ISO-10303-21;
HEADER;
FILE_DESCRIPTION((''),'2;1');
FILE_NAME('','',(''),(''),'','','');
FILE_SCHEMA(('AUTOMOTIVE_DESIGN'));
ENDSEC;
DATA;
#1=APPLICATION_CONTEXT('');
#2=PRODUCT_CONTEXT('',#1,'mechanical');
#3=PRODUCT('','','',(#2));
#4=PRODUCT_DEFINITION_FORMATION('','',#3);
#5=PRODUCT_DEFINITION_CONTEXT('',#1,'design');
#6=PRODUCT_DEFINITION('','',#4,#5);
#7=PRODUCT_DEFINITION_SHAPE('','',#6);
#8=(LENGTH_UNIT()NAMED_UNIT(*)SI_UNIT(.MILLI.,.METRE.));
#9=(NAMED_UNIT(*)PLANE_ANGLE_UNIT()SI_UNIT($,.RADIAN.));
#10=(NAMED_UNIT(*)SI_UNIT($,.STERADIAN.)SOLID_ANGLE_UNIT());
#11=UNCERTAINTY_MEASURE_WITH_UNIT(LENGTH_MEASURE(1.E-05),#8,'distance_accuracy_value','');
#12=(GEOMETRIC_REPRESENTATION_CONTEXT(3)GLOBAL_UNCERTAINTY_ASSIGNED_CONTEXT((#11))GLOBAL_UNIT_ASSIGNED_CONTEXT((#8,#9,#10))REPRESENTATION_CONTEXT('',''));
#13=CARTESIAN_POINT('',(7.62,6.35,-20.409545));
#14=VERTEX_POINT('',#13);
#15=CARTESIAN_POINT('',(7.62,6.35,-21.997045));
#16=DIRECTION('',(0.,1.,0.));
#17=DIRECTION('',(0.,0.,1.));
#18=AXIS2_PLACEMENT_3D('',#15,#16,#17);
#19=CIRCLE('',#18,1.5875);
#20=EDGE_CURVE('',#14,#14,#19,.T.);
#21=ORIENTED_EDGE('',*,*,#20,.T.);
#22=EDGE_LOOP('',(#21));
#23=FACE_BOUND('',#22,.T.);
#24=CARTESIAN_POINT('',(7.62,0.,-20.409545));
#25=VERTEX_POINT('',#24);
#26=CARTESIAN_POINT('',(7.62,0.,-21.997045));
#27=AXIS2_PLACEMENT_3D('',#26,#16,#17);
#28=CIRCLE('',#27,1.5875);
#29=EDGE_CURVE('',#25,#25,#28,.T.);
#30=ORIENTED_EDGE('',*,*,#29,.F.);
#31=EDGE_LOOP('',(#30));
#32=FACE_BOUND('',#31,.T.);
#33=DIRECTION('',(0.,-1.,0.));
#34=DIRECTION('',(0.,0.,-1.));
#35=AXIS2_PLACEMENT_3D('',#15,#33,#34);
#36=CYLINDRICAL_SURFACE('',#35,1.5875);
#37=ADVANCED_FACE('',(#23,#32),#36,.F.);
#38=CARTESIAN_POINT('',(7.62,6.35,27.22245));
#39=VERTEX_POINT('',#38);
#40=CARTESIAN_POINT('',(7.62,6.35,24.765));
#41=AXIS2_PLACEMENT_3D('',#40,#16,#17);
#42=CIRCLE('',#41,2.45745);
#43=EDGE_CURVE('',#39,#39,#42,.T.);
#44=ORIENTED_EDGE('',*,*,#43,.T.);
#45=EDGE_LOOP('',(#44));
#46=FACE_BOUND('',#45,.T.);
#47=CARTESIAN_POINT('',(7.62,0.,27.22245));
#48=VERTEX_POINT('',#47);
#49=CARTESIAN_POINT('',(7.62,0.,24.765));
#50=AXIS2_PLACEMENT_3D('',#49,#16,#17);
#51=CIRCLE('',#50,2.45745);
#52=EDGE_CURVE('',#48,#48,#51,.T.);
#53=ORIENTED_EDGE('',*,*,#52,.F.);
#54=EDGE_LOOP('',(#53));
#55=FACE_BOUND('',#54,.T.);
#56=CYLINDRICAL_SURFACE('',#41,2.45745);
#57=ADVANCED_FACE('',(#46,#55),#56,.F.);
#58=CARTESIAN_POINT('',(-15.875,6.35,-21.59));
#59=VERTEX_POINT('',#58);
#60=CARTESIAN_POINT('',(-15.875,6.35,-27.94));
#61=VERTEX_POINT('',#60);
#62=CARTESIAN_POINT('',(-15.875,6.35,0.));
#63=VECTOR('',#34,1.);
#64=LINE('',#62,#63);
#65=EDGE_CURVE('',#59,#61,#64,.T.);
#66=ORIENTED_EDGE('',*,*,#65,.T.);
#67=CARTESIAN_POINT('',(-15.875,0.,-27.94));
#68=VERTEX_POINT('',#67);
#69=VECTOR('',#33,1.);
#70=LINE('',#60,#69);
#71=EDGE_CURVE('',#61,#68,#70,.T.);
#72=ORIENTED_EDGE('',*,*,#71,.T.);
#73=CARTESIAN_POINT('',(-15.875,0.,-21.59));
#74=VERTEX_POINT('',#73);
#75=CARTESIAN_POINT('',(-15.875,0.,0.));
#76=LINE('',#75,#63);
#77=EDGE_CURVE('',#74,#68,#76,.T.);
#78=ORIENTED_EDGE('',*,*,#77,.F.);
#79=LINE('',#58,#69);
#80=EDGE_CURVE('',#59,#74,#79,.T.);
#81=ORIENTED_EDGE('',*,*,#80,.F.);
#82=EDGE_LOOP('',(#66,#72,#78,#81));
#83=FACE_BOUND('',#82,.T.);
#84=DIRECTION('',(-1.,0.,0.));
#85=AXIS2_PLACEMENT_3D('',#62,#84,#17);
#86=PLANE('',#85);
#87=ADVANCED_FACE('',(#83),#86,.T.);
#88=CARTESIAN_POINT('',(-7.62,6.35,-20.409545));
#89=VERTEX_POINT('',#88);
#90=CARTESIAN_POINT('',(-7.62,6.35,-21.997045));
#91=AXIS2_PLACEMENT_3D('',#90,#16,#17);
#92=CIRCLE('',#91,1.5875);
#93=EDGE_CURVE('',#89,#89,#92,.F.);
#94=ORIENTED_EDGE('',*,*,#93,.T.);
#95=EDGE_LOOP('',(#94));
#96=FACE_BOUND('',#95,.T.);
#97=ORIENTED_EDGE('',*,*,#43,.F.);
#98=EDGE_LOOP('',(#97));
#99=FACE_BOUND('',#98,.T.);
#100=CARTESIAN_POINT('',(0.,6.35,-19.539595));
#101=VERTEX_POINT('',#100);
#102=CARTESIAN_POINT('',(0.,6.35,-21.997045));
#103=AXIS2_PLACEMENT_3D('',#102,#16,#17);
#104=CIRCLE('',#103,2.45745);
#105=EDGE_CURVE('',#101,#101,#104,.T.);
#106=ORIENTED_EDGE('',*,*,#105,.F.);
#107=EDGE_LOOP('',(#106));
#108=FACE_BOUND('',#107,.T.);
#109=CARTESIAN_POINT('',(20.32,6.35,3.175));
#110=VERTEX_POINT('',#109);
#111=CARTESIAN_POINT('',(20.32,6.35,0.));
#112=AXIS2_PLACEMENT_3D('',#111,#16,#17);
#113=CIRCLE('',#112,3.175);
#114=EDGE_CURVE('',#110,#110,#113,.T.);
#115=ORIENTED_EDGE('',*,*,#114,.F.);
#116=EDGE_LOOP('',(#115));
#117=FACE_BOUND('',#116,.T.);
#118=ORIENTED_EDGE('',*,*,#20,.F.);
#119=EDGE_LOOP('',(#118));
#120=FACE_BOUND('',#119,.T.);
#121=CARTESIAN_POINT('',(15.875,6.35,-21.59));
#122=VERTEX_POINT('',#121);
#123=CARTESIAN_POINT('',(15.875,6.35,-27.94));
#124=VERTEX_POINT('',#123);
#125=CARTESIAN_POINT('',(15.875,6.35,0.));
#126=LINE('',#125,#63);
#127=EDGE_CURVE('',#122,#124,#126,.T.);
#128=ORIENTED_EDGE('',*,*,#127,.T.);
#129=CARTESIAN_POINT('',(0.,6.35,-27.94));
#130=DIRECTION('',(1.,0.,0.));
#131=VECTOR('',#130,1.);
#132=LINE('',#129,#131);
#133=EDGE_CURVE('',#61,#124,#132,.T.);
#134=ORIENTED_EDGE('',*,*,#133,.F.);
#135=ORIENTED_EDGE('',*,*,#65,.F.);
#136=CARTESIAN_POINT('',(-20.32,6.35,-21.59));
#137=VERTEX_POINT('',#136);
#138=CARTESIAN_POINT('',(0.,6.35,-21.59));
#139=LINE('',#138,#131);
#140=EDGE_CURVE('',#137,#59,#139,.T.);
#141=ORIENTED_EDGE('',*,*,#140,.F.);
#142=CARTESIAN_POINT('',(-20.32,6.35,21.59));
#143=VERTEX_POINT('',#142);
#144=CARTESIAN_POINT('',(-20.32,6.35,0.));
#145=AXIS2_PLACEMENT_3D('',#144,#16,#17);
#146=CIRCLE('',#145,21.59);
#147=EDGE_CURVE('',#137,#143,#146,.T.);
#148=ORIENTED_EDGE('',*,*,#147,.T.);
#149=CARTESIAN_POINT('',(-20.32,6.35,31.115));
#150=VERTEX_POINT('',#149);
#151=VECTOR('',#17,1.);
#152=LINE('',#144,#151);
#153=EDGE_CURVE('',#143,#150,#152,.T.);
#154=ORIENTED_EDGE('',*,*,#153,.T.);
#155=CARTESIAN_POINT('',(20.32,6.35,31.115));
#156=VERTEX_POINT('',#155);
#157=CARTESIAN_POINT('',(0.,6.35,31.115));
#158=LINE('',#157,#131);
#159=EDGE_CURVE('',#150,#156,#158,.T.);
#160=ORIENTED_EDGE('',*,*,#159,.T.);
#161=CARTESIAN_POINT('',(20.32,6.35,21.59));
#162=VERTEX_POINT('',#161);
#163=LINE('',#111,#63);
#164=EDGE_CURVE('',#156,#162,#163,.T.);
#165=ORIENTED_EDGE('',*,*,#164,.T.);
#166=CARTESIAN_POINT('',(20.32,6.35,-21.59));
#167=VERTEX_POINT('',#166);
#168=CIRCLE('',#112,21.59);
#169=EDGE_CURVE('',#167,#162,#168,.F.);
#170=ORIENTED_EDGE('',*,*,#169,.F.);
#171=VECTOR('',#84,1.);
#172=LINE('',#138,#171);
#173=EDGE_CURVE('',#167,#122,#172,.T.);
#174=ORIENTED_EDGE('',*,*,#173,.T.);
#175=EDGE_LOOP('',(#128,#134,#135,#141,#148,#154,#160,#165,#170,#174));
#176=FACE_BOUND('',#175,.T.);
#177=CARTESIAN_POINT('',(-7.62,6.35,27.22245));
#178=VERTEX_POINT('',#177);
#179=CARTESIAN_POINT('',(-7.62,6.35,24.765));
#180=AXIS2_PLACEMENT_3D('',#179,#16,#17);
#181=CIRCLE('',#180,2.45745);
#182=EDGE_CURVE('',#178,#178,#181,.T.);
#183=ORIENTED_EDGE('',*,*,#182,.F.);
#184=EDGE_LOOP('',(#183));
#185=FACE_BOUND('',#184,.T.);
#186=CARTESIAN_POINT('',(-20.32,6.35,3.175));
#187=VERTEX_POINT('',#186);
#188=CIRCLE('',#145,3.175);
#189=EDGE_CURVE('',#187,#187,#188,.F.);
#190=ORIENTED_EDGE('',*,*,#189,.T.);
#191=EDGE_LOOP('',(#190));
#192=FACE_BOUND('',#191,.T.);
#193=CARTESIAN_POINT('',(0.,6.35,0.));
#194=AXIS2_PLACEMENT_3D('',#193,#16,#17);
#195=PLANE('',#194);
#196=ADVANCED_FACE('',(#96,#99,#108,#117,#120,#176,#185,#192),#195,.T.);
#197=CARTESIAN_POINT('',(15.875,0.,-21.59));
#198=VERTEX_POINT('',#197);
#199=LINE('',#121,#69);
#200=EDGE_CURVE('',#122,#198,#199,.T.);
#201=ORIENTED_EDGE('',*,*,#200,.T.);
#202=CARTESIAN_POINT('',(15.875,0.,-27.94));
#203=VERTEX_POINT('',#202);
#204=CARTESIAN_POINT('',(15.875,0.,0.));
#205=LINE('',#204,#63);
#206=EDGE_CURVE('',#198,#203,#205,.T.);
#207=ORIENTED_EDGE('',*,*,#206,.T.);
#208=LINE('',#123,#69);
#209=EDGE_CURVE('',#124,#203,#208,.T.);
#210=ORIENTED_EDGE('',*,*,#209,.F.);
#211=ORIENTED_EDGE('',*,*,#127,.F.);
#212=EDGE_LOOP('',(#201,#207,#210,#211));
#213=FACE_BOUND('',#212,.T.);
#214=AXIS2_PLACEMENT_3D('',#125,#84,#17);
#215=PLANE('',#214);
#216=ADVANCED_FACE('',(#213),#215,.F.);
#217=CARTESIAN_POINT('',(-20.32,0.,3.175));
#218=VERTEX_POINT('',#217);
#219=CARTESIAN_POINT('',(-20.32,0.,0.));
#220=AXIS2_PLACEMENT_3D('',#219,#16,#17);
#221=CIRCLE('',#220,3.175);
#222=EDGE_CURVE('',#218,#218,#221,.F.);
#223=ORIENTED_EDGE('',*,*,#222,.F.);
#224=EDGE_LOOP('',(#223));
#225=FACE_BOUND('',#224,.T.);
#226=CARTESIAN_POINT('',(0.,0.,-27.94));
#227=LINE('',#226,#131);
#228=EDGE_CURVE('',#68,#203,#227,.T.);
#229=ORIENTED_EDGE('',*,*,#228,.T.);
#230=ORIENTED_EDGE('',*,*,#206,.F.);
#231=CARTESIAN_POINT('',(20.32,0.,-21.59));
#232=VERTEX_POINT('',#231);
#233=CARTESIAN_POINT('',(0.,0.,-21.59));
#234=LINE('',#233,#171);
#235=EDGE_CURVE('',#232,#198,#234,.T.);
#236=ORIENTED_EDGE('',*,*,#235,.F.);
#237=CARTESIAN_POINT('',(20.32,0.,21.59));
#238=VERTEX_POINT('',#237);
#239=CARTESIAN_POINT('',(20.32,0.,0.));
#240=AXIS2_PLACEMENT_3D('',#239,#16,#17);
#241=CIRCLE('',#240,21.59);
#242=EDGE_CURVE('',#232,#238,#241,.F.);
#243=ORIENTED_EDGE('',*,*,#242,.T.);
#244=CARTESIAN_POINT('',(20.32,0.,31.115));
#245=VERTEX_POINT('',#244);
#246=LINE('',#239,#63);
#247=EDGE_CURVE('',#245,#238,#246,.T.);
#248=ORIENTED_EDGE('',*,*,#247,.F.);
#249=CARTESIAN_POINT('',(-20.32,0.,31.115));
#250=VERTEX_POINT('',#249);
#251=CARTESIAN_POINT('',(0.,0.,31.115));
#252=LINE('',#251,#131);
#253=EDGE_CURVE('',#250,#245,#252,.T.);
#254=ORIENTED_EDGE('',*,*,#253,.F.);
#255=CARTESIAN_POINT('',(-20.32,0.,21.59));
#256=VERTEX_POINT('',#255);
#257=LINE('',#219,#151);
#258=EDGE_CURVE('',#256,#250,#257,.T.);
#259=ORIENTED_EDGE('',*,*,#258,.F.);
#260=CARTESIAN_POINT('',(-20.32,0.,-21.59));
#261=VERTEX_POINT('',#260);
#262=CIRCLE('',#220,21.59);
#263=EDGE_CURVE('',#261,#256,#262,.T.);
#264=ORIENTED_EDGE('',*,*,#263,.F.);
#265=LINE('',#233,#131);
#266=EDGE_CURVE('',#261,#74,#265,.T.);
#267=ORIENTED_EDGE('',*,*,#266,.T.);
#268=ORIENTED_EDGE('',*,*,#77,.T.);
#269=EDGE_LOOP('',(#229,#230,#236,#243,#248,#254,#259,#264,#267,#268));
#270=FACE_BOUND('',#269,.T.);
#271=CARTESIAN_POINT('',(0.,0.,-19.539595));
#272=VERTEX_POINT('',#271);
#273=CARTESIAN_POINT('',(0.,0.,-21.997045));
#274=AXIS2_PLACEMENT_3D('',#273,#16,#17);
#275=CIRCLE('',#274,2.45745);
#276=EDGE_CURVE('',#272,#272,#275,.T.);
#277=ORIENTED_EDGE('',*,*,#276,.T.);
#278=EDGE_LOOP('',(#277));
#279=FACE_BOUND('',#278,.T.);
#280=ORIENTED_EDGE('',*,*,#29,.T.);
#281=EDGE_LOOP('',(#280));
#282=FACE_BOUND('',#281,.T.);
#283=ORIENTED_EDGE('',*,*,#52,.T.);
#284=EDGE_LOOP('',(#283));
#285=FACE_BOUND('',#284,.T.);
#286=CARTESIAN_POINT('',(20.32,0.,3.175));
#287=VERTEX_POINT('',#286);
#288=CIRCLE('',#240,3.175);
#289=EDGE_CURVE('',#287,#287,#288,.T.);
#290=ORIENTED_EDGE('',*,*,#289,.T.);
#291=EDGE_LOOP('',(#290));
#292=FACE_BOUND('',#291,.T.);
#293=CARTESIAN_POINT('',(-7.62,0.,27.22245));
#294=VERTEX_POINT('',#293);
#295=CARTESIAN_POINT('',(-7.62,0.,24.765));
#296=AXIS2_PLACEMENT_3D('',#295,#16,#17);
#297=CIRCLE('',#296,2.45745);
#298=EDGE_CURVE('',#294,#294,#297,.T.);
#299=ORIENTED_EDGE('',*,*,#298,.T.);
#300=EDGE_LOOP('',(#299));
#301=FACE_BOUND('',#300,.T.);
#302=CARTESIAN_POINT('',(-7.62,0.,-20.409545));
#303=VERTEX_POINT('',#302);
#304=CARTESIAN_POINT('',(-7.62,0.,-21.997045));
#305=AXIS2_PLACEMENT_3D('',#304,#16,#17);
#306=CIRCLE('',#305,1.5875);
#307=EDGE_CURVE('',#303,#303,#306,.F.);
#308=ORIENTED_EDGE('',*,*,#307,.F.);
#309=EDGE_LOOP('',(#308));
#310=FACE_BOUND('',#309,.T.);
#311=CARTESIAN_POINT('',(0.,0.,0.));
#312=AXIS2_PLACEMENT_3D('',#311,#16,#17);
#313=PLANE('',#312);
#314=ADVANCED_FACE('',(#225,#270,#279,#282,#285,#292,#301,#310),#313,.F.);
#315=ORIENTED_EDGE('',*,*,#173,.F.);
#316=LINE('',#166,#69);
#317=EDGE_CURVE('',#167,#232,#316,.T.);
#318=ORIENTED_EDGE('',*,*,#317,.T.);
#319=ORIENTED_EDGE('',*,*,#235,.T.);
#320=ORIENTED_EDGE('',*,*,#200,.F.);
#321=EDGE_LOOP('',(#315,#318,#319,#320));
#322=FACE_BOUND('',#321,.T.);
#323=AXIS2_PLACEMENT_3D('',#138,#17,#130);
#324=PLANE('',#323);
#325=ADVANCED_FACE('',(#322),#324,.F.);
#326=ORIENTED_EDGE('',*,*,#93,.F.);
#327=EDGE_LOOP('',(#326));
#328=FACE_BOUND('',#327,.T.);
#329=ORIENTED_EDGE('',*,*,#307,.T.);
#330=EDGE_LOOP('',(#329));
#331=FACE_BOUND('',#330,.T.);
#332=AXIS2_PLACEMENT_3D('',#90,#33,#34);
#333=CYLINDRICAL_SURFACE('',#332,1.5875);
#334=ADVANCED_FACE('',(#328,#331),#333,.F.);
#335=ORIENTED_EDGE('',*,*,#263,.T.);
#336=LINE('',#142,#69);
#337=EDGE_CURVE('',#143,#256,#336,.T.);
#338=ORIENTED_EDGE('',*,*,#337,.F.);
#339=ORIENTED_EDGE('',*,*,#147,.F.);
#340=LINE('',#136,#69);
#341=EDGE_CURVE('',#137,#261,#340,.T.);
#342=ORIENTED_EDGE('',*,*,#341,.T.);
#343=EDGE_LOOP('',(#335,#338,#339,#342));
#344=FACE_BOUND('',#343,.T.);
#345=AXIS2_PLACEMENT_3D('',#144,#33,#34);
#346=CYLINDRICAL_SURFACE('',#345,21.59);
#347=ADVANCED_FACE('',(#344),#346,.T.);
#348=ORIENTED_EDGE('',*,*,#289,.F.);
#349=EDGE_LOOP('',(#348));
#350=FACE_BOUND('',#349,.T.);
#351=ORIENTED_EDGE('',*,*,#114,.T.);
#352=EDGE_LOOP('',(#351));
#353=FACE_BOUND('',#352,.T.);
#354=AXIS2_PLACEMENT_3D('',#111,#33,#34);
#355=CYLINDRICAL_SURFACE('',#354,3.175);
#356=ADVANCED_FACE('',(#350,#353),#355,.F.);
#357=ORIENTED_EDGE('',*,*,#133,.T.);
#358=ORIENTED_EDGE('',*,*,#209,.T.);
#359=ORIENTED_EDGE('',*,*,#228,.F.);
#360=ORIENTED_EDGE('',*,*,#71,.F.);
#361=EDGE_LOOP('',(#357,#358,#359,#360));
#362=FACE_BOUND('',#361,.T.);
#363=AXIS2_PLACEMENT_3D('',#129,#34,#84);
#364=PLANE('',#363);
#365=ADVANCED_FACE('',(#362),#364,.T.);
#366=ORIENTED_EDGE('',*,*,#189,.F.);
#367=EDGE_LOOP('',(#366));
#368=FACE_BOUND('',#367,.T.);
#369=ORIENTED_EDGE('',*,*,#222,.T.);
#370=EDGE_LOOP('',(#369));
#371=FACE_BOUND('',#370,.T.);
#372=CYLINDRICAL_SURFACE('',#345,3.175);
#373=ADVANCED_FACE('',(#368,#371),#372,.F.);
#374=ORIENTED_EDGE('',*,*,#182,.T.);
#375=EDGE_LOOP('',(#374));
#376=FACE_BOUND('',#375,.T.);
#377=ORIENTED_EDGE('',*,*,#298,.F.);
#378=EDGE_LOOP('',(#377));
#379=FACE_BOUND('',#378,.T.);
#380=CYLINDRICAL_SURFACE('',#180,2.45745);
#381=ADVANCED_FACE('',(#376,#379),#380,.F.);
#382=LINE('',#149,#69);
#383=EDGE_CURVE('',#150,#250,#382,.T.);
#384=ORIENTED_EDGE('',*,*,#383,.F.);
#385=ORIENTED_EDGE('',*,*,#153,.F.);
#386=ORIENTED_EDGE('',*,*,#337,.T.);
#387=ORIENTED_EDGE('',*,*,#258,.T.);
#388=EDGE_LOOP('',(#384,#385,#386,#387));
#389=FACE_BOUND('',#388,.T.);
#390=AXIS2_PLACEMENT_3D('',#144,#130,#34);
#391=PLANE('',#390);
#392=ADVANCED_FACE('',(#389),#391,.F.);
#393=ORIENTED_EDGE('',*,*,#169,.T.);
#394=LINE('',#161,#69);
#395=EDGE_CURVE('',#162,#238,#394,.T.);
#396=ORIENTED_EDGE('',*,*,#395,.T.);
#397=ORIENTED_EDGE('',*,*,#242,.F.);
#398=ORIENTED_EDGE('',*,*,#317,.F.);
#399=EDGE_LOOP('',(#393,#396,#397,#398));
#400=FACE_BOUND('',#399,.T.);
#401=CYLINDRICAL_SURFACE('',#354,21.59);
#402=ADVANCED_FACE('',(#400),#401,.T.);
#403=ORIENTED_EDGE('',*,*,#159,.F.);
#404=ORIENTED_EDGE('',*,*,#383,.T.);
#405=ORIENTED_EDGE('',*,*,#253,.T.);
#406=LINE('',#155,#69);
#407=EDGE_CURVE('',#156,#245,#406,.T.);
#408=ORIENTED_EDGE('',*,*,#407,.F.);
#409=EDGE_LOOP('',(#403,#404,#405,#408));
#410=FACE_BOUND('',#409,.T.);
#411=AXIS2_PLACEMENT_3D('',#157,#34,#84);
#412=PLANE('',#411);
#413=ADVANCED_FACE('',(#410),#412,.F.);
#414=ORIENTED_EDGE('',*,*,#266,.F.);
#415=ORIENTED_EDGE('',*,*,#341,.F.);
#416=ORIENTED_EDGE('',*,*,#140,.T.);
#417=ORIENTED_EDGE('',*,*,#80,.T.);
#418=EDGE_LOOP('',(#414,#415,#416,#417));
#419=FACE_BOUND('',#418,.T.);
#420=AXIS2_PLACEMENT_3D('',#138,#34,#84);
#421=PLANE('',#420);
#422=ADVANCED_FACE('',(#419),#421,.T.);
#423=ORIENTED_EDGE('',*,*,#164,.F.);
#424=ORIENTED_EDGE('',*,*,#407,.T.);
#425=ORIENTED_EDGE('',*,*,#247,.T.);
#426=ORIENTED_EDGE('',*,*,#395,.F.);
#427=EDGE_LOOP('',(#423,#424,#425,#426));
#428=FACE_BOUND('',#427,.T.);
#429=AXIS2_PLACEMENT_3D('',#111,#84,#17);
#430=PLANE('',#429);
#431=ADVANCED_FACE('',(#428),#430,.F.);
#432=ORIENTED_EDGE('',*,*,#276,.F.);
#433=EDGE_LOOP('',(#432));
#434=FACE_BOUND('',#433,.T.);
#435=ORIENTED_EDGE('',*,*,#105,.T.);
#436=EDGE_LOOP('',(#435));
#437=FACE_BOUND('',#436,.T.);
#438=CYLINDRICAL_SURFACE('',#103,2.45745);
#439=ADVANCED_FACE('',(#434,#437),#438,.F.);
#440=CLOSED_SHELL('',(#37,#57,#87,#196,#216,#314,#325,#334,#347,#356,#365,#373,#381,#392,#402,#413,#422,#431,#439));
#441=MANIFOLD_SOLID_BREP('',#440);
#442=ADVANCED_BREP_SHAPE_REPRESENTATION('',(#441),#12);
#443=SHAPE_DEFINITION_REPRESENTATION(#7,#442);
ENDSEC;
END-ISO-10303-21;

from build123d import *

# Parameters (mm, degrees)
SKETCH1_R                    = 3.175
SKETCH1_R_2                  = 1.5875
BOSS_EXTRUDE1_DEPTH          = 6.35
F_10_0_1935_DIAMETER_HOLE1_D = 4.9149


with BuildPart() as part:
    # Sketch1 → Boss-Extrude1 (new body)
    with BuildSketch(Plane(origin=(0, 0, 0), x_dir=(1, 0, 0), z_dir=(0, 1, 0))):
        with BuildLine():
            Line((-20.32, 21.59), (-15.875, 21.59))
            Line((-15.875, 21.59), (-15.875, 27.94))
            Line((-15.875, 27.94), (15.875, 27.94))
            Line((15.875, 27.94), (15.875, 21.59))
            Line((15.875, 21.59), (20.32, 21.59))
            ThreePointArc((20.32, 21.59), (41.91, 0), (20.32, -21.59))
            Line((20.32, -21.59), (20.32, -31.115))
            Line((20.32, -31.115), (-20.32, -31.115))
            Line((-20.32, -31.115), (-20.32, -21.59))
            ThreePointArc((-20.32, -21.59), (-41.91, 0), (-20.32, 21.59))
        make_face()
        with Locations(Location((20.32, 0, 0), (0, 0, 270))):
            Circle(SKETCH1_R, mode=Mode.SUBTRACT)
        with Locations(Location((7.62, 21.997045256, 0), (0, 0, 270))):
            Circle(SKETCH1_R_2, mode=Mode.SUBTRACT)
        with Locations(Location((-20.32, 0, 0), (0, 0, 270))):
            Circle(SKETCH1_R, mode=Mode.SUBTRACT)
        with Locations(Location((-7.62, 21.997045256, 0), (0, 0, 270))):
            Circle(SKETCH1_R_2, mode=Mode.SUBTRACT)
    extrude(amount=BOSS_EXTRUDE1_DEPTH)

    # #10 (0.1935) Diameter Hole1 (through all)
    with Locations(Plane(origin=(0, 6.35, 0), x_dir=(1, 0, 0), z_dir=(0, 1, 0))):
        with Locations((0, 21.997045256), (-7.62, -24.765), (7.62, -24.765)):
            Hole(F_10_0_1935_DIAMETER_HOLE1_D / 2)


solid = part.part
